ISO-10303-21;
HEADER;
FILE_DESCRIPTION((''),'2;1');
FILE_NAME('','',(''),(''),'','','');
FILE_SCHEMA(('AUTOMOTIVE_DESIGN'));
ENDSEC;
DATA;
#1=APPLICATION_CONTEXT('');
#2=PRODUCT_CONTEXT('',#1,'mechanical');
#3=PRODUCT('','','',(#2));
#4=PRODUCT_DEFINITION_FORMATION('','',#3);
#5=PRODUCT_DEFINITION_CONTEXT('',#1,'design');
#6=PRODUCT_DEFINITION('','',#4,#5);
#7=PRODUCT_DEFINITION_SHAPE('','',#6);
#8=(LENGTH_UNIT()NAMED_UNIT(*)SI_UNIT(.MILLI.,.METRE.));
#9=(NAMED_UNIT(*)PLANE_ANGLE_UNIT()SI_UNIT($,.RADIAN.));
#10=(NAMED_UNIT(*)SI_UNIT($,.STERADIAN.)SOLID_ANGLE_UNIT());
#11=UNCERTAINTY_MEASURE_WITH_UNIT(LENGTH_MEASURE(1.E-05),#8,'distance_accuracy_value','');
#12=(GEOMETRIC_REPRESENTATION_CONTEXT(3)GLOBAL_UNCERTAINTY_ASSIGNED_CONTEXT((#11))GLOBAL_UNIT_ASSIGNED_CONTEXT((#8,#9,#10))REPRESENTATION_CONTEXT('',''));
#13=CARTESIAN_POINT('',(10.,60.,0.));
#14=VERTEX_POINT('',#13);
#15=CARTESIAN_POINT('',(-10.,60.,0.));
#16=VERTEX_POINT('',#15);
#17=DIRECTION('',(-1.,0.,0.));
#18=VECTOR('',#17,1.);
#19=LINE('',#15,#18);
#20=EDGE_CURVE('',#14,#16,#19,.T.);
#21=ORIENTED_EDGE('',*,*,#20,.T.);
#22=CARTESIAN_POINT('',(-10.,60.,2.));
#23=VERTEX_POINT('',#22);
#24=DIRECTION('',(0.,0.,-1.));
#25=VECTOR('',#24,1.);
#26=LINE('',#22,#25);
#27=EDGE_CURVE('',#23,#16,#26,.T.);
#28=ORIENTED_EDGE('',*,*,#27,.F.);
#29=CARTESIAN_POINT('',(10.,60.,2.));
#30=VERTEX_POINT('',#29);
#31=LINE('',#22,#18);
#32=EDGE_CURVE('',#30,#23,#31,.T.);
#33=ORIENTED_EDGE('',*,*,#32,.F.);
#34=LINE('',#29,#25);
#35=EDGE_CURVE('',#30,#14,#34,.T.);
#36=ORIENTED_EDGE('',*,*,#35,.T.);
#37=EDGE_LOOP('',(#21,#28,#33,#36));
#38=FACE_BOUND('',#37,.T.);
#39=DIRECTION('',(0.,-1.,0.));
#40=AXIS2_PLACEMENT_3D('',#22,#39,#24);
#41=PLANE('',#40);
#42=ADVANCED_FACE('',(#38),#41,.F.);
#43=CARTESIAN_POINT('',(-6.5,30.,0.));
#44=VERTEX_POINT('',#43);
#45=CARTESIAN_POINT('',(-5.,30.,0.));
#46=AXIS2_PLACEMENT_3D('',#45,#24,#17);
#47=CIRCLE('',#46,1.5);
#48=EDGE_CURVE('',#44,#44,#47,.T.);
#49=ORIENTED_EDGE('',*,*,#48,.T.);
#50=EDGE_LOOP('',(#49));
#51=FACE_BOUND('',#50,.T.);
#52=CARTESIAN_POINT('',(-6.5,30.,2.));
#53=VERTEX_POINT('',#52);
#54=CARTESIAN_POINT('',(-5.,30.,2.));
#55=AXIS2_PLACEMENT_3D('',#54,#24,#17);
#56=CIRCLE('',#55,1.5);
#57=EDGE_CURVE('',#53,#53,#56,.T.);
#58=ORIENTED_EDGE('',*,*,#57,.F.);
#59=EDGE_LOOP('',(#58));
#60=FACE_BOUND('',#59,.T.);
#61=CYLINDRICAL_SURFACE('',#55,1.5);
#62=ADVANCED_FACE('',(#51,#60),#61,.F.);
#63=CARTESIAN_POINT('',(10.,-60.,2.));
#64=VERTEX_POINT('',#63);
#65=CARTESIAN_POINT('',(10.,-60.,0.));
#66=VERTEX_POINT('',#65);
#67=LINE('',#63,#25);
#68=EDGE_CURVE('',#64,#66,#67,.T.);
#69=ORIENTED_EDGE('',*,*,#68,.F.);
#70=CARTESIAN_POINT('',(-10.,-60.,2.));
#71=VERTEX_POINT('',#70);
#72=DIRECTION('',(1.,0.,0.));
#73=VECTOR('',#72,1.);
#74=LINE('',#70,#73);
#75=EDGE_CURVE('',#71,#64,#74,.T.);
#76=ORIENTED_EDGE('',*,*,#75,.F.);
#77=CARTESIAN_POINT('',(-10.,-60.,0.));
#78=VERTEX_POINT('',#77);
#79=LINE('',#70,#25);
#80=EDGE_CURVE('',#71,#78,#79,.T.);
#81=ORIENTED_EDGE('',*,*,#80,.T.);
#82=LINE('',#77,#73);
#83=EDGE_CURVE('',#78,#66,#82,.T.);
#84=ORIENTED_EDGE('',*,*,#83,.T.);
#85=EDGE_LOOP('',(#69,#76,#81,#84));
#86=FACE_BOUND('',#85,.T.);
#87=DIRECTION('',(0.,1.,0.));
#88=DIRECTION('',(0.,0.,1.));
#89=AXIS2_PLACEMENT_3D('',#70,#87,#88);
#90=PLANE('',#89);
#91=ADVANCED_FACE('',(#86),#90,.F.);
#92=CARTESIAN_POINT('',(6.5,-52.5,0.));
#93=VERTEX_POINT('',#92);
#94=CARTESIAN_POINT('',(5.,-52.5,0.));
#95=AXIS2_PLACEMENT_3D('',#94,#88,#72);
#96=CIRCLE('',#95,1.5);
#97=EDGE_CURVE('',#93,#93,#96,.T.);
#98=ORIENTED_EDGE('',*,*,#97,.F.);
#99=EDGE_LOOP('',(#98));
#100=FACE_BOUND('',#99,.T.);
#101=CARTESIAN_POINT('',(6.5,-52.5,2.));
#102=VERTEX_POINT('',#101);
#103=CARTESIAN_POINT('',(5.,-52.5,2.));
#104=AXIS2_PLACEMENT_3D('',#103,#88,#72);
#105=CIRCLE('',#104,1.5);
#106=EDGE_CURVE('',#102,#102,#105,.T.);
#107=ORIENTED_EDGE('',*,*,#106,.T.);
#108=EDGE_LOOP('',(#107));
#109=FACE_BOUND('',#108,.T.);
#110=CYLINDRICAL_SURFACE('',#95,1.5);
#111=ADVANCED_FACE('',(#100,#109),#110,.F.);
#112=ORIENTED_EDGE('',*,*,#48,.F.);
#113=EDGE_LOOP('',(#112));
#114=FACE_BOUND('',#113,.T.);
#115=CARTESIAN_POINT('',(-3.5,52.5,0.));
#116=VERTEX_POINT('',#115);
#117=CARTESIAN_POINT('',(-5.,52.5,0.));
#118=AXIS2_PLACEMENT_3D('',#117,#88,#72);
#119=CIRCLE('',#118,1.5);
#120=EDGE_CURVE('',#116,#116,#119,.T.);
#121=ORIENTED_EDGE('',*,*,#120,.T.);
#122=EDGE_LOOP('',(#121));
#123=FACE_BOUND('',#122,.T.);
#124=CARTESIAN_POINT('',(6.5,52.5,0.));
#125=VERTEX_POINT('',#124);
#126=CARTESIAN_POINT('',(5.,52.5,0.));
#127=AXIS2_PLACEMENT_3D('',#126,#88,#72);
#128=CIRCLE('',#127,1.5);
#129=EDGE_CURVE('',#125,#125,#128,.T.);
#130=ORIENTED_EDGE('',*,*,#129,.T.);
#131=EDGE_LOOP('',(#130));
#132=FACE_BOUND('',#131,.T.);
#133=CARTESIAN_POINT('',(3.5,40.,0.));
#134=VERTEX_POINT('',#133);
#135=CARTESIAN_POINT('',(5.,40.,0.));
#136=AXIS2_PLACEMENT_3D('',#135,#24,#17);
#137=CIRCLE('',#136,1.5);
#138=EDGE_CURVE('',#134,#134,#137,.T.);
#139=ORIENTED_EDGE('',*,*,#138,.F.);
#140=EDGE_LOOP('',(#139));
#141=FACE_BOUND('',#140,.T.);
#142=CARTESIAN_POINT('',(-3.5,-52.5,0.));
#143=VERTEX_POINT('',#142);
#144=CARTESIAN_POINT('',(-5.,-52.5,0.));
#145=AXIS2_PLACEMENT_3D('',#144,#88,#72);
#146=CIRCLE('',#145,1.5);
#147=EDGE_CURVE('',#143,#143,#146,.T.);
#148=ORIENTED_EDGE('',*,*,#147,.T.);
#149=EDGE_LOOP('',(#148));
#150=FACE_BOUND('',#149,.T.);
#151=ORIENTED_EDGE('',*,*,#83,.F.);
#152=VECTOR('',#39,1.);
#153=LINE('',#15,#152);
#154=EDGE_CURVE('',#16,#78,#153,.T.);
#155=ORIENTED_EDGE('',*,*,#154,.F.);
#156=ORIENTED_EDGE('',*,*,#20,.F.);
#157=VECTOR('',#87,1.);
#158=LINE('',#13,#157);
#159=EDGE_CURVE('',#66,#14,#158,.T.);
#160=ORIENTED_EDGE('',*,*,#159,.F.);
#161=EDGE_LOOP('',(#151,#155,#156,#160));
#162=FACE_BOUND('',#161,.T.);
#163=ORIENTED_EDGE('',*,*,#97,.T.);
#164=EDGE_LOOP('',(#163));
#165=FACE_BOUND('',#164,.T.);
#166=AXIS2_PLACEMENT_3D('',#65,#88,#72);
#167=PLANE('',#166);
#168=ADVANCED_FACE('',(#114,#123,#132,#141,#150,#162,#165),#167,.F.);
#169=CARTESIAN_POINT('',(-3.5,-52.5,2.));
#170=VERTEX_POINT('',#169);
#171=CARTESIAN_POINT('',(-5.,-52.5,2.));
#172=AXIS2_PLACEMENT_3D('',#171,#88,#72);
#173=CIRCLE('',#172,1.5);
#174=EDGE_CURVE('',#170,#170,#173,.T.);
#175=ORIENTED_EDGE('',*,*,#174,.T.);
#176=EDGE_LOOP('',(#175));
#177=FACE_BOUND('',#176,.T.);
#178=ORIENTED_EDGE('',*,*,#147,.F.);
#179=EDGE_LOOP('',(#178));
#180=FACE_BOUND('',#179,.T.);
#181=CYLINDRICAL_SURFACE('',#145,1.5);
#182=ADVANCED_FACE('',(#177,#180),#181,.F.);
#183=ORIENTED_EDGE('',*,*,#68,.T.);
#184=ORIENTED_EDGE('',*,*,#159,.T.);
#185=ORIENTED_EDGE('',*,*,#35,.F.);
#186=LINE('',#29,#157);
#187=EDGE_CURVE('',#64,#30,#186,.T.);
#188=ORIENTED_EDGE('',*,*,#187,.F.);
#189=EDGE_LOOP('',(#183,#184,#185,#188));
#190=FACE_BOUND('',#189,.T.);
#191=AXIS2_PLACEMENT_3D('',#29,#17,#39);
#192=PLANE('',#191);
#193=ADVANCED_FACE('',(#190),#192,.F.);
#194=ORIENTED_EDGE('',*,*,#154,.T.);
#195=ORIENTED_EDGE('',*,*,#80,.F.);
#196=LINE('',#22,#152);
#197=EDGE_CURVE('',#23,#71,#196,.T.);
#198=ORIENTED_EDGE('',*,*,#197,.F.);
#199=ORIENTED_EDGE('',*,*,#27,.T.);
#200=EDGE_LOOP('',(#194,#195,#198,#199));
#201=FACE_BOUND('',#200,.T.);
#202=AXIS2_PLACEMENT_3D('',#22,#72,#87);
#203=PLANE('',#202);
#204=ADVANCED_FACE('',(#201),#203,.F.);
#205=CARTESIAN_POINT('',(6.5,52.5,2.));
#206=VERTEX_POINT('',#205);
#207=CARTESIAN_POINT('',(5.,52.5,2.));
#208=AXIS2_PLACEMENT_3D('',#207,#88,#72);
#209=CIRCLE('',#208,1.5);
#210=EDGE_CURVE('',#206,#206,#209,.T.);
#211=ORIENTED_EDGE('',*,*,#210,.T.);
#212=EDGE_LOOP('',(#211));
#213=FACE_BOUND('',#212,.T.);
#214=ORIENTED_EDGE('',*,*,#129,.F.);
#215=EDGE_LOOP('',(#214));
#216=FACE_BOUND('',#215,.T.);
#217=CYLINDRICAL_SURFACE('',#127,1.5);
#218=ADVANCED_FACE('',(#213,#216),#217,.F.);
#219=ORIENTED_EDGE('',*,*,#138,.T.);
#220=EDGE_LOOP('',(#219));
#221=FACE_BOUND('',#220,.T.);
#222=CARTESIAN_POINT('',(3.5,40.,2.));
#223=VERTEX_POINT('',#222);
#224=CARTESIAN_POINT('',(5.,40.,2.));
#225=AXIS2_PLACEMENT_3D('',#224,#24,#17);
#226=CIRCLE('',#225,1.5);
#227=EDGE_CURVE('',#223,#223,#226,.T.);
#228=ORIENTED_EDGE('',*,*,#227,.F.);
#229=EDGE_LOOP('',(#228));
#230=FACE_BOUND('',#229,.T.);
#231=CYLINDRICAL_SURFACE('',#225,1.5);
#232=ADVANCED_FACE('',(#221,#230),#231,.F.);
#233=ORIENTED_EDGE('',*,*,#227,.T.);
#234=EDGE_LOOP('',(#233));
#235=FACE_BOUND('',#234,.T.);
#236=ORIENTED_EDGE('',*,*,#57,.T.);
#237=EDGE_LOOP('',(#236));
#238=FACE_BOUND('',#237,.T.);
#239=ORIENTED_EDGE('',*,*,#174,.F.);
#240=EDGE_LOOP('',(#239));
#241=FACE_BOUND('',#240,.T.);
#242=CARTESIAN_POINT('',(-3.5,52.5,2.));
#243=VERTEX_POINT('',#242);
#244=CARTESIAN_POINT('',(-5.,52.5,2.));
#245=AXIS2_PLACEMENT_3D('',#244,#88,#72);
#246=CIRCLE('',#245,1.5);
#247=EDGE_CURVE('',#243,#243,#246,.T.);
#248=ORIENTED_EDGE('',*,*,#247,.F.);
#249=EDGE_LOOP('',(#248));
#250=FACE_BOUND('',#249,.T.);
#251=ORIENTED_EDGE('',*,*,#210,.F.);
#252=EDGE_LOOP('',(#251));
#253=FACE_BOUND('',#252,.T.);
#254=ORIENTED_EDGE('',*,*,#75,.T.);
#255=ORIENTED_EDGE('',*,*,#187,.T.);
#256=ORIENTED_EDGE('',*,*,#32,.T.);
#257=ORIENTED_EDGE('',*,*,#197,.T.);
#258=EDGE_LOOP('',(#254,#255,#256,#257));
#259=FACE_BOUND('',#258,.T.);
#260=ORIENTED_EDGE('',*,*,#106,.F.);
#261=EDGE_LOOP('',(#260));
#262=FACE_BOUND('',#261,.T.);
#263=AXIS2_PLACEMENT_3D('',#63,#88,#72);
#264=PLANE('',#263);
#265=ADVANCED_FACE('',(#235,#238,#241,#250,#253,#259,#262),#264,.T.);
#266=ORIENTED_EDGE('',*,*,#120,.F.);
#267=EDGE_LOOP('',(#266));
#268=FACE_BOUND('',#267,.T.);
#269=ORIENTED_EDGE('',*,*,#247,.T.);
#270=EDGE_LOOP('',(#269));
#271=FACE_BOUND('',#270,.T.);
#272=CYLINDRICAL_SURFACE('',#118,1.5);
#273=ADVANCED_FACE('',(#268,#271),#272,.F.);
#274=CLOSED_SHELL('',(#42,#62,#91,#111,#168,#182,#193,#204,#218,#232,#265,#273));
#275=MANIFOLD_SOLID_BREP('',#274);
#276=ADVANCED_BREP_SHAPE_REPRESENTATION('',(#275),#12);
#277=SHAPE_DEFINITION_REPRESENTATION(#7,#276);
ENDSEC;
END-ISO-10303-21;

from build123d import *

# Parameters (mm, degrees)
ESQUISSE1_W                = 20
ESQUISSE1_H                = 120
EXTRUSION1_DEPTH           = 2
ESQUISSE2_R                = 1.5
EXTRUSION2_DEPTH           = 2
ESQUISSE3_R                = 1.5
EXTRUSION3_DEPTH           = 2
R_P_TITION_LIN_AIRE1_COUNT = 2
R_P_TITION_LIN_AIRE1_PITCH = 105
ESQUISSE4_R                = 1.5
ENL_V_MAT_EXTRU_1_DEPTH    = 61.860496219


with BuildPart() as part:
    # Esquisse1 → Extrusion1 (new body)
    with BuildSketch(Plane.XY):
        Rectangle(ESQUISSE1_W, ESQUISSE1_H)
    extrude(amount=EXTRUSION1_DEPTH)

    # Esquisse2 → Extrusion2 (cut)
    with BuildSketch(Plane.XY.offset(2)):
        with Locations((-5, 52.5)):
            Circle(ESQUISSE2_R)
    extrusion2 = extrude(amount=-EXTRUSION2_DEPTH, mode=Mode.SUBTRACT)

    # Esquisse3 → Extrusion3 (cut)
    with BuildSketch(Plane.XY.offset(2)):
        with Locations((5, 52.5)):
            Circle(ESQUISSE3_R)
    extrusion3 = extrude(amount=-EXTRUSION3_DEPTH, mode=Mode.SUBTRACT)

    # Répétition linéaire1: Extrusion2, Extrusion3 ×2
    with Locations(*[(0, -i * R_P_TITION_LIN_AIRE1_PITCH, 0) for i in range(1, R_P_TITION_LIN_AIRE1_COUNT)]):
        add(extrusion2, mode=Mode.SUBTRACT)
        add(extrusion3, mode=Mode.SUBTRACT)

    # Esquisse4 → Enlèv. mat.-Extru.1 (cut, through all)
    with BuildSketch(Plane(origin=(0, 0, 0), x_dir=(-1, 0, 0), z_dir=(0, 0, -1))):
        with Locations((-5, 40)):
            Circle(ESQUISSE4_R)
        with Locations((5, 30)):
            Circle(ESQUISSE4_R)
    extrude(amount=-ENL_V_MAT_EXTRU_1_DEPTH, mode=Mode.SUBTRACT)


solid = part.part
